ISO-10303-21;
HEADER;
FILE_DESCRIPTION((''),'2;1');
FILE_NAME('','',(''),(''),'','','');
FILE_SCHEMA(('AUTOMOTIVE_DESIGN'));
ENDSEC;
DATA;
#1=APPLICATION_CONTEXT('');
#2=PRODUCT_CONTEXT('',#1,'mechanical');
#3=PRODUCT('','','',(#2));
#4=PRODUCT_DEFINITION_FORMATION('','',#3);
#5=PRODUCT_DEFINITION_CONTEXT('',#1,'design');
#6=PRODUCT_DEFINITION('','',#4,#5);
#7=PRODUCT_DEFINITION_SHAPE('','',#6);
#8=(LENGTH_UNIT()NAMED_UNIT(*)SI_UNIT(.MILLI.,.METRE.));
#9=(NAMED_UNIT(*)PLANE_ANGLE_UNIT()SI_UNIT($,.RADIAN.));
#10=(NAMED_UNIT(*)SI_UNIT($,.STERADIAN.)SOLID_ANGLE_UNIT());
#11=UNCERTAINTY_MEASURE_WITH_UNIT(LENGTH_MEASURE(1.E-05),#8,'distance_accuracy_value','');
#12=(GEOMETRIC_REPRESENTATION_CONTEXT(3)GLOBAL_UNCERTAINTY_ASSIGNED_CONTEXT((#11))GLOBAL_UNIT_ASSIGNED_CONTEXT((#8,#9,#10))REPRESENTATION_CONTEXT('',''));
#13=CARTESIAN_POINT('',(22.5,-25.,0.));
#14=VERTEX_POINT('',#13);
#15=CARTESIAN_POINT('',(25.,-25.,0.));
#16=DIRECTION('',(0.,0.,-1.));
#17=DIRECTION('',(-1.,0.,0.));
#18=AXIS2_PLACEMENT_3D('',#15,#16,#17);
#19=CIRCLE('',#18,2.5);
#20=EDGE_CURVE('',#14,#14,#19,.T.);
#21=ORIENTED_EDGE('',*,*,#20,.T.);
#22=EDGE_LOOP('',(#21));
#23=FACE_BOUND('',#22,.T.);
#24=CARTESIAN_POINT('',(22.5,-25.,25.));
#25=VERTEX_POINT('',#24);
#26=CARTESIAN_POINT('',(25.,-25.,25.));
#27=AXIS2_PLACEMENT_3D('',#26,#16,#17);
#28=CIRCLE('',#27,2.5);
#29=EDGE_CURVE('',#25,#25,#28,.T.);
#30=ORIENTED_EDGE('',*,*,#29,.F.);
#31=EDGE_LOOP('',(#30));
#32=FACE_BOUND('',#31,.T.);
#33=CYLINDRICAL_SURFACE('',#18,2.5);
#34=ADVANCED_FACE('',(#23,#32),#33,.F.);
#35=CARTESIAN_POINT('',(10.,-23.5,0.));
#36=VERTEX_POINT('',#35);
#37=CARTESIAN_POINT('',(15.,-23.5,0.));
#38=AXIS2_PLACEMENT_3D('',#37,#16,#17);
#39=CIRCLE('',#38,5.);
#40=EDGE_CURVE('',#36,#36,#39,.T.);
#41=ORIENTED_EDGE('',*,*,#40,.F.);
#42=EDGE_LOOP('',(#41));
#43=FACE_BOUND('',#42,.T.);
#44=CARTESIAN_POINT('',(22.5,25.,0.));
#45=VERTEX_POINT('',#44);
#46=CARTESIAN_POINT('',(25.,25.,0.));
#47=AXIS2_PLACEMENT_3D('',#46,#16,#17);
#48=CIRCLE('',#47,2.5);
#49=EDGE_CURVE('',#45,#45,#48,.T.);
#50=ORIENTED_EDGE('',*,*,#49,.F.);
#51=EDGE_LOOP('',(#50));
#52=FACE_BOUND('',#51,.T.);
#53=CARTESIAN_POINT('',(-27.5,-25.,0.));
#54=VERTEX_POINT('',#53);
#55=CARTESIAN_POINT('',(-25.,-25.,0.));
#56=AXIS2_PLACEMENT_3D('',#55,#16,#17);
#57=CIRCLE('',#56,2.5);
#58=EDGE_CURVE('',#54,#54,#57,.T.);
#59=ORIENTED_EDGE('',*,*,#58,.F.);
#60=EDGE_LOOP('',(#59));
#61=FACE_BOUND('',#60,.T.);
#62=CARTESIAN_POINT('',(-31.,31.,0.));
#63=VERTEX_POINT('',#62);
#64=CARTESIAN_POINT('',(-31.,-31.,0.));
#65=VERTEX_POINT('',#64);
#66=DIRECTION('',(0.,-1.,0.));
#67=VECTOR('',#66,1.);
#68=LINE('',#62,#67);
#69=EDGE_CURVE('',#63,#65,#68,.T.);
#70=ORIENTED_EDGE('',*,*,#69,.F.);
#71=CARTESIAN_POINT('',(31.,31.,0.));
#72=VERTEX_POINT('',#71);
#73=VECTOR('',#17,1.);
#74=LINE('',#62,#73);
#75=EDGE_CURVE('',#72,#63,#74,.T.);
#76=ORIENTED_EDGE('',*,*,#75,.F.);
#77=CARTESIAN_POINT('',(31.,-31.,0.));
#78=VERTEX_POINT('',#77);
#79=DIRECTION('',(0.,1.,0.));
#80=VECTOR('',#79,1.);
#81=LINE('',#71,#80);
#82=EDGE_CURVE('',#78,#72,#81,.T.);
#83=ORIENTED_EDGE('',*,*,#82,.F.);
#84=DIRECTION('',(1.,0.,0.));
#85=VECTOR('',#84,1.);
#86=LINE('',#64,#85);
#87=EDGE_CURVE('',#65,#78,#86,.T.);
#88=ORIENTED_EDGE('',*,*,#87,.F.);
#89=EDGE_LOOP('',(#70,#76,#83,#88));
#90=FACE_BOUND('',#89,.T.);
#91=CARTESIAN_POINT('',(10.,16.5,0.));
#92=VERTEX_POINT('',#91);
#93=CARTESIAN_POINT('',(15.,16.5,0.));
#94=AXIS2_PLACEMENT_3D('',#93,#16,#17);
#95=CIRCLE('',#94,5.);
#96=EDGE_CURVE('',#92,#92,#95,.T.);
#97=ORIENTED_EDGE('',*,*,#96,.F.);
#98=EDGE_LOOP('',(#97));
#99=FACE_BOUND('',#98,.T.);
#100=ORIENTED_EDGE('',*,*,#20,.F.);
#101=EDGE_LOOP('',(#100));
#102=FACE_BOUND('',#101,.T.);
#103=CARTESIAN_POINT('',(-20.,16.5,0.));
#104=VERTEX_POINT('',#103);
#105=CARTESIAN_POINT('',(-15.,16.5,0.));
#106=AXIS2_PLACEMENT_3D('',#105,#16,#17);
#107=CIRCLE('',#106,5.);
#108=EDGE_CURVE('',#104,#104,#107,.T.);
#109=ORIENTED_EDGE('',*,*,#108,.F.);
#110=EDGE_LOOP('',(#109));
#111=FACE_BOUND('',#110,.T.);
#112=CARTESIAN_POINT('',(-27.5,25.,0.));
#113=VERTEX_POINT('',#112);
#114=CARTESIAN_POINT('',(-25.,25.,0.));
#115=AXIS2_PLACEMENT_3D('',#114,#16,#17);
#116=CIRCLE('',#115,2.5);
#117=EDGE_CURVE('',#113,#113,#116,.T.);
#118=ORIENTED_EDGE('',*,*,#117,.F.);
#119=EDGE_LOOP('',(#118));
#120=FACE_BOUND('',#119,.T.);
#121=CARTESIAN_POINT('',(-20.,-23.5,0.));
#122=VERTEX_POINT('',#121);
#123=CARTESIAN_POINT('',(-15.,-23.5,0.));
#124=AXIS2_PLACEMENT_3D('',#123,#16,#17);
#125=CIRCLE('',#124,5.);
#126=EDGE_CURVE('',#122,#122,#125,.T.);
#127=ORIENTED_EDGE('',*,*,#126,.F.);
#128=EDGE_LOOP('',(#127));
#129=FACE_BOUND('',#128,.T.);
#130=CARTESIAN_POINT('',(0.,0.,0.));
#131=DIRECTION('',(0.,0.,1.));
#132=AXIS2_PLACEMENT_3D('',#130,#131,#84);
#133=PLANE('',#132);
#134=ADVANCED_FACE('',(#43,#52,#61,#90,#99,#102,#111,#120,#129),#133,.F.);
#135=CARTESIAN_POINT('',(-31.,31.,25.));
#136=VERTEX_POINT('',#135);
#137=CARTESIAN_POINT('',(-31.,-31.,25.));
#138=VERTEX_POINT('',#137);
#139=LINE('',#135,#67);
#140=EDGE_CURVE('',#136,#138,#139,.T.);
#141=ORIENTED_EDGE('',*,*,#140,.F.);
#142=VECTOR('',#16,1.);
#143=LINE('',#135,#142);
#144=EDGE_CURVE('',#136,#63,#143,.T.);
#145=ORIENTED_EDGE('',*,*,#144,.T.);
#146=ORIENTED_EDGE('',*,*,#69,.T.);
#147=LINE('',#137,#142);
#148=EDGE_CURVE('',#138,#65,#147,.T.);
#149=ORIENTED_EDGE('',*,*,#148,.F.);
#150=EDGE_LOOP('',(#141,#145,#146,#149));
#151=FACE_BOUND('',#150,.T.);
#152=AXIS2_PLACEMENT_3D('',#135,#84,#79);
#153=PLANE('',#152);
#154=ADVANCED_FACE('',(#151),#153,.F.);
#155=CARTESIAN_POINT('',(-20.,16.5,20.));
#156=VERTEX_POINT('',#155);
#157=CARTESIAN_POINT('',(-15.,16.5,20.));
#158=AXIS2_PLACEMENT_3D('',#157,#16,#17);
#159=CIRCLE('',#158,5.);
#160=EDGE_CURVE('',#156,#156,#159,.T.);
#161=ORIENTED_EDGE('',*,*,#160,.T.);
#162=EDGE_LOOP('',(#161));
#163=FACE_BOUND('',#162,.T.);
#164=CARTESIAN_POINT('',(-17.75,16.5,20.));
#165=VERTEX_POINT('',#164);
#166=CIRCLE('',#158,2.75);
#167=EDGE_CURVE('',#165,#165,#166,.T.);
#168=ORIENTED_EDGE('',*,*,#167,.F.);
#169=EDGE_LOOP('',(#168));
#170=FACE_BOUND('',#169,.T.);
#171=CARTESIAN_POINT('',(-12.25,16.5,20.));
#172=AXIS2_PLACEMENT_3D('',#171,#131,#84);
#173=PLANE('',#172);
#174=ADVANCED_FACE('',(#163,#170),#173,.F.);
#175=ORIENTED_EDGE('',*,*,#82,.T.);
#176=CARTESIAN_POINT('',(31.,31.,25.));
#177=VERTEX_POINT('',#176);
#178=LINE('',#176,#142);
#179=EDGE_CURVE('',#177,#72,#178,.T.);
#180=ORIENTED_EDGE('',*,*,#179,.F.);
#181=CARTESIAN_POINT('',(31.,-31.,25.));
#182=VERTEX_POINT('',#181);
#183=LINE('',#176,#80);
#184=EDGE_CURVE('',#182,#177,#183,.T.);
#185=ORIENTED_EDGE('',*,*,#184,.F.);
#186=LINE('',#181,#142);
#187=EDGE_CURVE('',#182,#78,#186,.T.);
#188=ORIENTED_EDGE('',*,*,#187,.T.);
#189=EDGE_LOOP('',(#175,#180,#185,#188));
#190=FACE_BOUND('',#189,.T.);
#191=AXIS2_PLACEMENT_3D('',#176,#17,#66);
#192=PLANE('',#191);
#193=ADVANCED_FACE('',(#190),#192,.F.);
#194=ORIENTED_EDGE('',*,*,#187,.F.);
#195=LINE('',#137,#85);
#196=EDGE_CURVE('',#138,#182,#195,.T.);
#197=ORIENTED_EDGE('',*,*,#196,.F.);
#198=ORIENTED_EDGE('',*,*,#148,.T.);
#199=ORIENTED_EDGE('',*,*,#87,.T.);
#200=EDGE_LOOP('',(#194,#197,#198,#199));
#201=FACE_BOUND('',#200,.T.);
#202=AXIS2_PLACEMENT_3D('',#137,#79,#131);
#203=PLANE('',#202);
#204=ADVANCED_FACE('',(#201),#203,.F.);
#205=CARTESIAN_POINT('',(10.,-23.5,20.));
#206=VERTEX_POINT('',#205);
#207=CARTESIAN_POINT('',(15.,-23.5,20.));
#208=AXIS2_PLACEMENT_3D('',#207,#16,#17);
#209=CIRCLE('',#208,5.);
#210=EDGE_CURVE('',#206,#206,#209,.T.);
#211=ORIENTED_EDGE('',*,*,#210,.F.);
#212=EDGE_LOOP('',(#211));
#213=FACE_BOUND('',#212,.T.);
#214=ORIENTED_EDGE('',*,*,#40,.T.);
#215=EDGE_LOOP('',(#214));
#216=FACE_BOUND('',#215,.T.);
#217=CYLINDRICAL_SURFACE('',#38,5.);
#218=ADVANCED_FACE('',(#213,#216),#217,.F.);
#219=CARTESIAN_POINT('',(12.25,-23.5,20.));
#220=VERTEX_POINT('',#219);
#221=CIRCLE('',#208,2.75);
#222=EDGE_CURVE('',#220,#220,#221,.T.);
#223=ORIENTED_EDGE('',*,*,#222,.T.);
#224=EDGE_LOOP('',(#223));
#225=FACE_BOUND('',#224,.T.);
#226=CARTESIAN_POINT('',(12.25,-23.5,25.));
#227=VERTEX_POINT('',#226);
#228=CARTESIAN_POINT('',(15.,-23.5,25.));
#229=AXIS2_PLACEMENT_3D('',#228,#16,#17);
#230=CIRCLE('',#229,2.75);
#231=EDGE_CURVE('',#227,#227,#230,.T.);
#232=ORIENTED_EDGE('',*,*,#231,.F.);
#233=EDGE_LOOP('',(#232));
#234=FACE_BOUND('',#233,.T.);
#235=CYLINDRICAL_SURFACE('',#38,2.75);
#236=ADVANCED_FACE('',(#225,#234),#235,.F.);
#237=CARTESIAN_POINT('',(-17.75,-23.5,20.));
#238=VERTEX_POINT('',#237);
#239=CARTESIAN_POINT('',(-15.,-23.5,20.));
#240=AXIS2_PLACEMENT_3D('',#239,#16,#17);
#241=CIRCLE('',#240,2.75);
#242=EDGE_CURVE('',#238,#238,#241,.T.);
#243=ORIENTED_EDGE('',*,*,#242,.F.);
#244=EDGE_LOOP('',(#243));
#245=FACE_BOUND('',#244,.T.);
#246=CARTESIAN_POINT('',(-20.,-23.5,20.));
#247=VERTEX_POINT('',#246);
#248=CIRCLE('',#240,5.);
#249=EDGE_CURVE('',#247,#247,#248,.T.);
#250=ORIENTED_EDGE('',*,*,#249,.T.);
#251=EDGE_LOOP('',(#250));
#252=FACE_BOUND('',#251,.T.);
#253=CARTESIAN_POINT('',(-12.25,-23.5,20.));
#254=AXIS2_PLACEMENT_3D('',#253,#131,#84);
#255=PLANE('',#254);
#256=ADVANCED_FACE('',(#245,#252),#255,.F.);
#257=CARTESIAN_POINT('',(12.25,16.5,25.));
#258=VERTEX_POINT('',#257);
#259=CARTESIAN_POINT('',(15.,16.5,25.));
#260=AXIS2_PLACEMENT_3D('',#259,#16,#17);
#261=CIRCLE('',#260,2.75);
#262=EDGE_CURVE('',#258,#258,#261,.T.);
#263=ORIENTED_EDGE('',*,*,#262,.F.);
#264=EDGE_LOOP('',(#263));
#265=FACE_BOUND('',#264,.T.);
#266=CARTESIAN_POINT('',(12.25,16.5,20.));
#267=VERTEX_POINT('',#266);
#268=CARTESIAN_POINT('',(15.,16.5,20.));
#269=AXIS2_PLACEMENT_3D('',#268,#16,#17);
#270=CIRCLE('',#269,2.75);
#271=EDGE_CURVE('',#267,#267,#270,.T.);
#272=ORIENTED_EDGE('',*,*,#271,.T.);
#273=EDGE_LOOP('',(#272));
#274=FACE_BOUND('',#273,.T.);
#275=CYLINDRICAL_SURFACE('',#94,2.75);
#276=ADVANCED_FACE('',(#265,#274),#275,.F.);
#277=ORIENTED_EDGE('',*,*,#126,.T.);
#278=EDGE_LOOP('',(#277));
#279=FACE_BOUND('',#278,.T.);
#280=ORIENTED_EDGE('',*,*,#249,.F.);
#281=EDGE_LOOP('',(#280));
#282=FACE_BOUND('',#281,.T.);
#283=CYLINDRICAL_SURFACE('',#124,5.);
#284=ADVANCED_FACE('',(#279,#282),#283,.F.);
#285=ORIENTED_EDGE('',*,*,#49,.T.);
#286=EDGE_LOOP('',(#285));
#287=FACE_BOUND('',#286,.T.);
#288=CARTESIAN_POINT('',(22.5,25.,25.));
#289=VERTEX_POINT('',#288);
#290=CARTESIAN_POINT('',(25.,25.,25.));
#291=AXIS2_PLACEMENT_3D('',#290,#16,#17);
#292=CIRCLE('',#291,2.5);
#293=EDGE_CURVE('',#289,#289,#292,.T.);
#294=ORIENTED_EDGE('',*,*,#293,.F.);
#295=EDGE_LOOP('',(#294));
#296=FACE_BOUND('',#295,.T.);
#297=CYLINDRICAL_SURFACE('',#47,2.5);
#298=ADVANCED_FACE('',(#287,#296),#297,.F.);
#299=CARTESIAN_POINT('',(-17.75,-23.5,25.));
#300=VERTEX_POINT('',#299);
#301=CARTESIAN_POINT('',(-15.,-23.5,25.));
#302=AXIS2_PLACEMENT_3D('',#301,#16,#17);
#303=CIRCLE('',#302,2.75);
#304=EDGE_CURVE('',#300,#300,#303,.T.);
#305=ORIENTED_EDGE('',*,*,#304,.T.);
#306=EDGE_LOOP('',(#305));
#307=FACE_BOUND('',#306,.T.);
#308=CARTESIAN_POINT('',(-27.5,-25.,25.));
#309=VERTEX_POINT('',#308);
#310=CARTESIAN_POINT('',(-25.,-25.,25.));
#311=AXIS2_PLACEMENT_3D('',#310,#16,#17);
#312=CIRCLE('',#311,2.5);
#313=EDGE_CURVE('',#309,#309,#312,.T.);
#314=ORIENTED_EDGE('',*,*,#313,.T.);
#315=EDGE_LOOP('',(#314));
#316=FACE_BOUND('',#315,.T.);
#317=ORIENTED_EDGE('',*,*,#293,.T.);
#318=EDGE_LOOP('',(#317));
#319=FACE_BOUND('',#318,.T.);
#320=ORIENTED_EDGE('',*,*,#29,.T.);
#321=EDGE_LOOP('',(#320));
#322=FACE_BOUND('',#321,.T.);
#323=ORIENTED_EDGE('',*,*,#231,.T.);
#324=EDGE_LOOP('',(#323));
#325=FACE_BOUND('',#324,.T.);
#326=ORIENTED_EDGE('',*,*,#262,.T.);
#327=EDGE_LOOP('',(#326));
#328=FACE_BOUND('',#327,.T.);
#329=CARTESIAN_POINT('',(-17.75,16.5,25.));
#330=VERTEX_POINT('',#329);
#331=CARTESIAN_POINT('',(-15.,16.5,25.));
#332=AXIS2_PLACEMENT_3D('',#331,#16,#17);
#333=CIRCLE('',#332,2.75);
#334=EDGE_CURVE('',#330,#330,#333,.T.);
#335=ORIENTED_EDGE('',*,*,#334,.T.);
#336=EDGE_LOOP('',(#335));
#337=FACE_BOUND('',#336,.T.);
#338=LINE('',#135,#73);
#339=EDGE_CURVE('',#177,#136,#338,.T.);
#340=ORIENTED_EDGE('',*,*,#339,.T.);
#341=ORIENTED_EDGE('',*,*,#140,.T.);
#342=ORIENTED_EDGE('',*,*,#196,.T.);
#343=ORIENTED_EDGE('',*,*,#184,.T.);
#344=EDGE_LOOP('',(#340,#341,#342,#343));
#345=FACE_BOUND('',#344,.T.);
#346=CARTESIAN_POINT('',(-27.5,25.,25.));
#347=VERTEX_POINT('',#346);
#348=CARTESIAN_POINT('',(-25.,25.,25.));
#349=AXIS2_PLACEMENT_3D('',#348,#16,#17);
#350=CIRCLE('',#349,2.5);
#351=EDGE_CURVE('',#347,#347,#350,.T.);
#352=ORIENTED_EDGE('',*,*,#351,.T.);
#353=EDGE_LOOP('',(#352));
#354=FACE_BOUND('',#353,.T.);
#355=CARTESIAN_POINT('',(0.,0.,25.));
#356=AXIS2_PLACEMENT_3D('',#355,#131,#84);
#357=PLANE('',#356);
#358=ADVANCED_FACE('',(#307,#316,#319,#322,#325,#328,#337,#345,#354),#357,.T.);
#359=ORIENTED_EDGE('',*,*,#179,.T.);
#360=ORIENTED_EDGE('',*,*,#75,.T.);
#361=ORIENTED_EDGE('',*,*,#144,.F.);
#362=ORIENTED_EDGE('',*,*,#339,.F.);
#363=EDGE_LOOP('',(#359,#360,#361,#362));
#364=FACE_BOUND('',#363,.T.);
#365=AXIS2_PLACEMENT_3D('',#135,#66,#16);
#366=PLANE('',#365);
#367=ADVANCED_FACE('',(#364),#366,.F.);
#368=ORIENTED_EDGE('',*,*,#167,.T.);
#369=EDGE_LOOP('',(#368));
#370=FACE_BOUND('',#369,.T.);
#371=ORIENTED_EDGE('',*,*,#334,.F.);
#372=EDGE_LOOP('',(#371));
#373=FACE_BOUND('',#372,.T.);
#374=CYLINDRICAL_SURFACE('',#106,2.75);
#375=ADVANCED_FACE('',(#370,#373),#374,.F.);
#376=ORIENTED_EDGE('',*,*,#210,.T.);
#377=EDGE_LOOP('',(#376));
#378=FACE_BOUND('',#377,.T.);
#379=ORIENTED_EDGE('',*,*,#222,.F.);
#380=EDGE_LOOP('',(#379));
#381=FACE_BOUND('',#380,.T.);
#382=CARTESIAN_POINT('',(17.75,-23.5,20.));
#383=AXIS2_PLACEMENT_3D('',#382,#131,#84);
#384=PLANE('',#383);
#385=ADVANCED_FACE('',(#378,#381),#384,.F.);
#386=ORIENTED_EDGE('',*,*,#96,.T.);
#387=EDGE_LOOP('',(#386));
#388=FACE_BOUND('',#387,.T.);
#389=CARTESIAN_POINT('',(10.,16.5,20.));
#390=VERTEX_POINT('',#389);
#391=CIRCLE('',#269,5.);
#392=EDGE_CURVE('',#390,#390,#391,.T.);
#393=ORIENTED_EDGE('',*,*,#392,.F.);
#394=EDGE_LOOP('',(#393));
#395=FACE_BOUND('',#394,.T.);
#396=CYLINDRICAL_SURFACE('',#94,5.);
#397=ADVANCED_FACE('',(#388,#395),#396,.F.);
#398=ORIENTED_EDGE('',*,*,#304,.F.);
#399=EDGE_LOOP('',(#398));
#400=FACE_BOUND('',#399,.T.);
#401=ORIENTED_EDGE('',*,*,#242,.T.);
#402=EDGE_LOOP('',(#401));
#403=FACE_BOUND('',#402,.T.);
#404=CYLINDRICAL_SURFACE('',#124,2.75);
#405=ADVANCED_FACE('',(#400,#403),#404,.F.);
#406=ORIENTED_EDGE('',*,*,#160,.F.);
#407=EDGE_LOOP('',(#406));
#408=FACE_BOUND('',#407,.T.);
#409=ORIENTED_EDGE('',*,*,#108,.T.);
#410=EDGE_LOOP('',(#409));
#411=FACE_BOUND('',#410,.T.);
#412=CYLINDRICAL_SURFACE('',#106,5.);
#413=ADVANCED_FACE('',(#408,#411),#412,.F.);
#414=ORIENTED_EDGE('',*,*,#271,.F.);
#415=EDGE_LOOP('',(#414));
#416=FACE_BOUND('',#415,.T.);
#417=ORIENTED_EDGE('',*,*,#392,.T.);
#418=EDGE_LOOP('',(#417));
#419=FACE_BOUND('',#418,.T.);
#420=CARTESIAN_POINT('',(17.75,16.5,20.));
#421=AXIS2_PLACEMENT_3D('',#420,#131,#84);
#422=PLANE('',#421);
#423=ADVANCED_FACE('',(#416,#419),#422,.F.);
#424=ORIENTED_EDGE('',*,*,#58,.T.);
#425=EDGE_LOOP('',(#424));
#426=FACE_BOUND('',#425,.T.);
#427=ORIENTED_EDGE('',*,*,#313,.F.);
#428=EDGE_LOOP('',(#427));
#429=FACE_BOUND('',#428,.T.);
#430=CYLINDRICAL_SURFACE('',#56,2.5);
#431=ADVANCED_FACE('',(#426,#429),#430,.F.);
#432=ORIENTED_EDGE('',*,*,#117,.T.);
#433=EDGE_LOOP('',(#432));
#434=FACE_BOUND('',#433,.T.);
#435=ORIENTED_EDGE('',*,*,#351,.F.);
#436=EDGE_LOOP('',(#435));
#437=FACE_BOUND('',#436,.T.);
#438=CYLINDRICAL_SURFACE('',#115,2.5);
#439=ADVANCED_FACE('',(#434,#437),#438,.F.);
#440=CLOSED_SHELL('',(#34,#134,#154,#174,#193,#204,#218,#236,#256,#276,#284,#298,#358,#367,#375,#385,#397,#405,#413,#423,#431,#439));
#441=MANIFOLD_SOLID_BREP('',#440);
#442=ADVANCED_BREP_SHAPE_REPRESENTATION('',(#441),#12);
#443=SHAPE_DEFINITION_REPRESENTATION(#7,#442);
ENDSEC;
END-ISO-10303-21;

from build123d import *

# Parameters (mm, degrees)
SKETCH_1_W                   = 62
SKETCH_1_H                   = 62
EXTRUDE_1_DEPTH              = 25
HOLE_WIZARD_M6_1_D           = 5
HOLE_WIZARD_M5_1_D           = 5.5
HOLE_WIZARD_M5_1_CBORE_D     = 10
HOLE_WIZARD_M5_1_CBORE_DEPTH = 20


with BuildPart() as part:
    # 草图1 → 凸台-拉伸1 (new body)
    with BuildSketch(Plane.XY):
        Rectangle(SKETCH_1_W, SKETCH_1_H)
    extrude(amount=EXTRUDE_1_DEPTH)

    # M6 螺纹孔1 (through all)
    with Locations(Plane(origin=(25, 25, 0), x_dir=(-1, 0, 0), z_dir=(0, 0, -1))):
        with Locations((0, 0), (50, 0), (0, -50), (50, -50)):
            Hole(HOLE_WIZARD_M6_1_D / 2)

    # M5 六角凹头螺钉的柱形沉头孔1 (through all)
    with Locations(Plane(origin=(15, 16.5, 0), x_dir=(-1, 0, 0), z_dir=(0, 0, -1))):
        with Locations((0, 0), (30, 0), (30, -40), (0, -40)):
            CounterBoreHole(HOLE_WIZARD_M5_1_D / 2, HOLE_WIZARD_M5_1_CBORE_D / 2, HOLE_WIZARD_M5_1_CBORE_DEPTH)


solid = part.part
